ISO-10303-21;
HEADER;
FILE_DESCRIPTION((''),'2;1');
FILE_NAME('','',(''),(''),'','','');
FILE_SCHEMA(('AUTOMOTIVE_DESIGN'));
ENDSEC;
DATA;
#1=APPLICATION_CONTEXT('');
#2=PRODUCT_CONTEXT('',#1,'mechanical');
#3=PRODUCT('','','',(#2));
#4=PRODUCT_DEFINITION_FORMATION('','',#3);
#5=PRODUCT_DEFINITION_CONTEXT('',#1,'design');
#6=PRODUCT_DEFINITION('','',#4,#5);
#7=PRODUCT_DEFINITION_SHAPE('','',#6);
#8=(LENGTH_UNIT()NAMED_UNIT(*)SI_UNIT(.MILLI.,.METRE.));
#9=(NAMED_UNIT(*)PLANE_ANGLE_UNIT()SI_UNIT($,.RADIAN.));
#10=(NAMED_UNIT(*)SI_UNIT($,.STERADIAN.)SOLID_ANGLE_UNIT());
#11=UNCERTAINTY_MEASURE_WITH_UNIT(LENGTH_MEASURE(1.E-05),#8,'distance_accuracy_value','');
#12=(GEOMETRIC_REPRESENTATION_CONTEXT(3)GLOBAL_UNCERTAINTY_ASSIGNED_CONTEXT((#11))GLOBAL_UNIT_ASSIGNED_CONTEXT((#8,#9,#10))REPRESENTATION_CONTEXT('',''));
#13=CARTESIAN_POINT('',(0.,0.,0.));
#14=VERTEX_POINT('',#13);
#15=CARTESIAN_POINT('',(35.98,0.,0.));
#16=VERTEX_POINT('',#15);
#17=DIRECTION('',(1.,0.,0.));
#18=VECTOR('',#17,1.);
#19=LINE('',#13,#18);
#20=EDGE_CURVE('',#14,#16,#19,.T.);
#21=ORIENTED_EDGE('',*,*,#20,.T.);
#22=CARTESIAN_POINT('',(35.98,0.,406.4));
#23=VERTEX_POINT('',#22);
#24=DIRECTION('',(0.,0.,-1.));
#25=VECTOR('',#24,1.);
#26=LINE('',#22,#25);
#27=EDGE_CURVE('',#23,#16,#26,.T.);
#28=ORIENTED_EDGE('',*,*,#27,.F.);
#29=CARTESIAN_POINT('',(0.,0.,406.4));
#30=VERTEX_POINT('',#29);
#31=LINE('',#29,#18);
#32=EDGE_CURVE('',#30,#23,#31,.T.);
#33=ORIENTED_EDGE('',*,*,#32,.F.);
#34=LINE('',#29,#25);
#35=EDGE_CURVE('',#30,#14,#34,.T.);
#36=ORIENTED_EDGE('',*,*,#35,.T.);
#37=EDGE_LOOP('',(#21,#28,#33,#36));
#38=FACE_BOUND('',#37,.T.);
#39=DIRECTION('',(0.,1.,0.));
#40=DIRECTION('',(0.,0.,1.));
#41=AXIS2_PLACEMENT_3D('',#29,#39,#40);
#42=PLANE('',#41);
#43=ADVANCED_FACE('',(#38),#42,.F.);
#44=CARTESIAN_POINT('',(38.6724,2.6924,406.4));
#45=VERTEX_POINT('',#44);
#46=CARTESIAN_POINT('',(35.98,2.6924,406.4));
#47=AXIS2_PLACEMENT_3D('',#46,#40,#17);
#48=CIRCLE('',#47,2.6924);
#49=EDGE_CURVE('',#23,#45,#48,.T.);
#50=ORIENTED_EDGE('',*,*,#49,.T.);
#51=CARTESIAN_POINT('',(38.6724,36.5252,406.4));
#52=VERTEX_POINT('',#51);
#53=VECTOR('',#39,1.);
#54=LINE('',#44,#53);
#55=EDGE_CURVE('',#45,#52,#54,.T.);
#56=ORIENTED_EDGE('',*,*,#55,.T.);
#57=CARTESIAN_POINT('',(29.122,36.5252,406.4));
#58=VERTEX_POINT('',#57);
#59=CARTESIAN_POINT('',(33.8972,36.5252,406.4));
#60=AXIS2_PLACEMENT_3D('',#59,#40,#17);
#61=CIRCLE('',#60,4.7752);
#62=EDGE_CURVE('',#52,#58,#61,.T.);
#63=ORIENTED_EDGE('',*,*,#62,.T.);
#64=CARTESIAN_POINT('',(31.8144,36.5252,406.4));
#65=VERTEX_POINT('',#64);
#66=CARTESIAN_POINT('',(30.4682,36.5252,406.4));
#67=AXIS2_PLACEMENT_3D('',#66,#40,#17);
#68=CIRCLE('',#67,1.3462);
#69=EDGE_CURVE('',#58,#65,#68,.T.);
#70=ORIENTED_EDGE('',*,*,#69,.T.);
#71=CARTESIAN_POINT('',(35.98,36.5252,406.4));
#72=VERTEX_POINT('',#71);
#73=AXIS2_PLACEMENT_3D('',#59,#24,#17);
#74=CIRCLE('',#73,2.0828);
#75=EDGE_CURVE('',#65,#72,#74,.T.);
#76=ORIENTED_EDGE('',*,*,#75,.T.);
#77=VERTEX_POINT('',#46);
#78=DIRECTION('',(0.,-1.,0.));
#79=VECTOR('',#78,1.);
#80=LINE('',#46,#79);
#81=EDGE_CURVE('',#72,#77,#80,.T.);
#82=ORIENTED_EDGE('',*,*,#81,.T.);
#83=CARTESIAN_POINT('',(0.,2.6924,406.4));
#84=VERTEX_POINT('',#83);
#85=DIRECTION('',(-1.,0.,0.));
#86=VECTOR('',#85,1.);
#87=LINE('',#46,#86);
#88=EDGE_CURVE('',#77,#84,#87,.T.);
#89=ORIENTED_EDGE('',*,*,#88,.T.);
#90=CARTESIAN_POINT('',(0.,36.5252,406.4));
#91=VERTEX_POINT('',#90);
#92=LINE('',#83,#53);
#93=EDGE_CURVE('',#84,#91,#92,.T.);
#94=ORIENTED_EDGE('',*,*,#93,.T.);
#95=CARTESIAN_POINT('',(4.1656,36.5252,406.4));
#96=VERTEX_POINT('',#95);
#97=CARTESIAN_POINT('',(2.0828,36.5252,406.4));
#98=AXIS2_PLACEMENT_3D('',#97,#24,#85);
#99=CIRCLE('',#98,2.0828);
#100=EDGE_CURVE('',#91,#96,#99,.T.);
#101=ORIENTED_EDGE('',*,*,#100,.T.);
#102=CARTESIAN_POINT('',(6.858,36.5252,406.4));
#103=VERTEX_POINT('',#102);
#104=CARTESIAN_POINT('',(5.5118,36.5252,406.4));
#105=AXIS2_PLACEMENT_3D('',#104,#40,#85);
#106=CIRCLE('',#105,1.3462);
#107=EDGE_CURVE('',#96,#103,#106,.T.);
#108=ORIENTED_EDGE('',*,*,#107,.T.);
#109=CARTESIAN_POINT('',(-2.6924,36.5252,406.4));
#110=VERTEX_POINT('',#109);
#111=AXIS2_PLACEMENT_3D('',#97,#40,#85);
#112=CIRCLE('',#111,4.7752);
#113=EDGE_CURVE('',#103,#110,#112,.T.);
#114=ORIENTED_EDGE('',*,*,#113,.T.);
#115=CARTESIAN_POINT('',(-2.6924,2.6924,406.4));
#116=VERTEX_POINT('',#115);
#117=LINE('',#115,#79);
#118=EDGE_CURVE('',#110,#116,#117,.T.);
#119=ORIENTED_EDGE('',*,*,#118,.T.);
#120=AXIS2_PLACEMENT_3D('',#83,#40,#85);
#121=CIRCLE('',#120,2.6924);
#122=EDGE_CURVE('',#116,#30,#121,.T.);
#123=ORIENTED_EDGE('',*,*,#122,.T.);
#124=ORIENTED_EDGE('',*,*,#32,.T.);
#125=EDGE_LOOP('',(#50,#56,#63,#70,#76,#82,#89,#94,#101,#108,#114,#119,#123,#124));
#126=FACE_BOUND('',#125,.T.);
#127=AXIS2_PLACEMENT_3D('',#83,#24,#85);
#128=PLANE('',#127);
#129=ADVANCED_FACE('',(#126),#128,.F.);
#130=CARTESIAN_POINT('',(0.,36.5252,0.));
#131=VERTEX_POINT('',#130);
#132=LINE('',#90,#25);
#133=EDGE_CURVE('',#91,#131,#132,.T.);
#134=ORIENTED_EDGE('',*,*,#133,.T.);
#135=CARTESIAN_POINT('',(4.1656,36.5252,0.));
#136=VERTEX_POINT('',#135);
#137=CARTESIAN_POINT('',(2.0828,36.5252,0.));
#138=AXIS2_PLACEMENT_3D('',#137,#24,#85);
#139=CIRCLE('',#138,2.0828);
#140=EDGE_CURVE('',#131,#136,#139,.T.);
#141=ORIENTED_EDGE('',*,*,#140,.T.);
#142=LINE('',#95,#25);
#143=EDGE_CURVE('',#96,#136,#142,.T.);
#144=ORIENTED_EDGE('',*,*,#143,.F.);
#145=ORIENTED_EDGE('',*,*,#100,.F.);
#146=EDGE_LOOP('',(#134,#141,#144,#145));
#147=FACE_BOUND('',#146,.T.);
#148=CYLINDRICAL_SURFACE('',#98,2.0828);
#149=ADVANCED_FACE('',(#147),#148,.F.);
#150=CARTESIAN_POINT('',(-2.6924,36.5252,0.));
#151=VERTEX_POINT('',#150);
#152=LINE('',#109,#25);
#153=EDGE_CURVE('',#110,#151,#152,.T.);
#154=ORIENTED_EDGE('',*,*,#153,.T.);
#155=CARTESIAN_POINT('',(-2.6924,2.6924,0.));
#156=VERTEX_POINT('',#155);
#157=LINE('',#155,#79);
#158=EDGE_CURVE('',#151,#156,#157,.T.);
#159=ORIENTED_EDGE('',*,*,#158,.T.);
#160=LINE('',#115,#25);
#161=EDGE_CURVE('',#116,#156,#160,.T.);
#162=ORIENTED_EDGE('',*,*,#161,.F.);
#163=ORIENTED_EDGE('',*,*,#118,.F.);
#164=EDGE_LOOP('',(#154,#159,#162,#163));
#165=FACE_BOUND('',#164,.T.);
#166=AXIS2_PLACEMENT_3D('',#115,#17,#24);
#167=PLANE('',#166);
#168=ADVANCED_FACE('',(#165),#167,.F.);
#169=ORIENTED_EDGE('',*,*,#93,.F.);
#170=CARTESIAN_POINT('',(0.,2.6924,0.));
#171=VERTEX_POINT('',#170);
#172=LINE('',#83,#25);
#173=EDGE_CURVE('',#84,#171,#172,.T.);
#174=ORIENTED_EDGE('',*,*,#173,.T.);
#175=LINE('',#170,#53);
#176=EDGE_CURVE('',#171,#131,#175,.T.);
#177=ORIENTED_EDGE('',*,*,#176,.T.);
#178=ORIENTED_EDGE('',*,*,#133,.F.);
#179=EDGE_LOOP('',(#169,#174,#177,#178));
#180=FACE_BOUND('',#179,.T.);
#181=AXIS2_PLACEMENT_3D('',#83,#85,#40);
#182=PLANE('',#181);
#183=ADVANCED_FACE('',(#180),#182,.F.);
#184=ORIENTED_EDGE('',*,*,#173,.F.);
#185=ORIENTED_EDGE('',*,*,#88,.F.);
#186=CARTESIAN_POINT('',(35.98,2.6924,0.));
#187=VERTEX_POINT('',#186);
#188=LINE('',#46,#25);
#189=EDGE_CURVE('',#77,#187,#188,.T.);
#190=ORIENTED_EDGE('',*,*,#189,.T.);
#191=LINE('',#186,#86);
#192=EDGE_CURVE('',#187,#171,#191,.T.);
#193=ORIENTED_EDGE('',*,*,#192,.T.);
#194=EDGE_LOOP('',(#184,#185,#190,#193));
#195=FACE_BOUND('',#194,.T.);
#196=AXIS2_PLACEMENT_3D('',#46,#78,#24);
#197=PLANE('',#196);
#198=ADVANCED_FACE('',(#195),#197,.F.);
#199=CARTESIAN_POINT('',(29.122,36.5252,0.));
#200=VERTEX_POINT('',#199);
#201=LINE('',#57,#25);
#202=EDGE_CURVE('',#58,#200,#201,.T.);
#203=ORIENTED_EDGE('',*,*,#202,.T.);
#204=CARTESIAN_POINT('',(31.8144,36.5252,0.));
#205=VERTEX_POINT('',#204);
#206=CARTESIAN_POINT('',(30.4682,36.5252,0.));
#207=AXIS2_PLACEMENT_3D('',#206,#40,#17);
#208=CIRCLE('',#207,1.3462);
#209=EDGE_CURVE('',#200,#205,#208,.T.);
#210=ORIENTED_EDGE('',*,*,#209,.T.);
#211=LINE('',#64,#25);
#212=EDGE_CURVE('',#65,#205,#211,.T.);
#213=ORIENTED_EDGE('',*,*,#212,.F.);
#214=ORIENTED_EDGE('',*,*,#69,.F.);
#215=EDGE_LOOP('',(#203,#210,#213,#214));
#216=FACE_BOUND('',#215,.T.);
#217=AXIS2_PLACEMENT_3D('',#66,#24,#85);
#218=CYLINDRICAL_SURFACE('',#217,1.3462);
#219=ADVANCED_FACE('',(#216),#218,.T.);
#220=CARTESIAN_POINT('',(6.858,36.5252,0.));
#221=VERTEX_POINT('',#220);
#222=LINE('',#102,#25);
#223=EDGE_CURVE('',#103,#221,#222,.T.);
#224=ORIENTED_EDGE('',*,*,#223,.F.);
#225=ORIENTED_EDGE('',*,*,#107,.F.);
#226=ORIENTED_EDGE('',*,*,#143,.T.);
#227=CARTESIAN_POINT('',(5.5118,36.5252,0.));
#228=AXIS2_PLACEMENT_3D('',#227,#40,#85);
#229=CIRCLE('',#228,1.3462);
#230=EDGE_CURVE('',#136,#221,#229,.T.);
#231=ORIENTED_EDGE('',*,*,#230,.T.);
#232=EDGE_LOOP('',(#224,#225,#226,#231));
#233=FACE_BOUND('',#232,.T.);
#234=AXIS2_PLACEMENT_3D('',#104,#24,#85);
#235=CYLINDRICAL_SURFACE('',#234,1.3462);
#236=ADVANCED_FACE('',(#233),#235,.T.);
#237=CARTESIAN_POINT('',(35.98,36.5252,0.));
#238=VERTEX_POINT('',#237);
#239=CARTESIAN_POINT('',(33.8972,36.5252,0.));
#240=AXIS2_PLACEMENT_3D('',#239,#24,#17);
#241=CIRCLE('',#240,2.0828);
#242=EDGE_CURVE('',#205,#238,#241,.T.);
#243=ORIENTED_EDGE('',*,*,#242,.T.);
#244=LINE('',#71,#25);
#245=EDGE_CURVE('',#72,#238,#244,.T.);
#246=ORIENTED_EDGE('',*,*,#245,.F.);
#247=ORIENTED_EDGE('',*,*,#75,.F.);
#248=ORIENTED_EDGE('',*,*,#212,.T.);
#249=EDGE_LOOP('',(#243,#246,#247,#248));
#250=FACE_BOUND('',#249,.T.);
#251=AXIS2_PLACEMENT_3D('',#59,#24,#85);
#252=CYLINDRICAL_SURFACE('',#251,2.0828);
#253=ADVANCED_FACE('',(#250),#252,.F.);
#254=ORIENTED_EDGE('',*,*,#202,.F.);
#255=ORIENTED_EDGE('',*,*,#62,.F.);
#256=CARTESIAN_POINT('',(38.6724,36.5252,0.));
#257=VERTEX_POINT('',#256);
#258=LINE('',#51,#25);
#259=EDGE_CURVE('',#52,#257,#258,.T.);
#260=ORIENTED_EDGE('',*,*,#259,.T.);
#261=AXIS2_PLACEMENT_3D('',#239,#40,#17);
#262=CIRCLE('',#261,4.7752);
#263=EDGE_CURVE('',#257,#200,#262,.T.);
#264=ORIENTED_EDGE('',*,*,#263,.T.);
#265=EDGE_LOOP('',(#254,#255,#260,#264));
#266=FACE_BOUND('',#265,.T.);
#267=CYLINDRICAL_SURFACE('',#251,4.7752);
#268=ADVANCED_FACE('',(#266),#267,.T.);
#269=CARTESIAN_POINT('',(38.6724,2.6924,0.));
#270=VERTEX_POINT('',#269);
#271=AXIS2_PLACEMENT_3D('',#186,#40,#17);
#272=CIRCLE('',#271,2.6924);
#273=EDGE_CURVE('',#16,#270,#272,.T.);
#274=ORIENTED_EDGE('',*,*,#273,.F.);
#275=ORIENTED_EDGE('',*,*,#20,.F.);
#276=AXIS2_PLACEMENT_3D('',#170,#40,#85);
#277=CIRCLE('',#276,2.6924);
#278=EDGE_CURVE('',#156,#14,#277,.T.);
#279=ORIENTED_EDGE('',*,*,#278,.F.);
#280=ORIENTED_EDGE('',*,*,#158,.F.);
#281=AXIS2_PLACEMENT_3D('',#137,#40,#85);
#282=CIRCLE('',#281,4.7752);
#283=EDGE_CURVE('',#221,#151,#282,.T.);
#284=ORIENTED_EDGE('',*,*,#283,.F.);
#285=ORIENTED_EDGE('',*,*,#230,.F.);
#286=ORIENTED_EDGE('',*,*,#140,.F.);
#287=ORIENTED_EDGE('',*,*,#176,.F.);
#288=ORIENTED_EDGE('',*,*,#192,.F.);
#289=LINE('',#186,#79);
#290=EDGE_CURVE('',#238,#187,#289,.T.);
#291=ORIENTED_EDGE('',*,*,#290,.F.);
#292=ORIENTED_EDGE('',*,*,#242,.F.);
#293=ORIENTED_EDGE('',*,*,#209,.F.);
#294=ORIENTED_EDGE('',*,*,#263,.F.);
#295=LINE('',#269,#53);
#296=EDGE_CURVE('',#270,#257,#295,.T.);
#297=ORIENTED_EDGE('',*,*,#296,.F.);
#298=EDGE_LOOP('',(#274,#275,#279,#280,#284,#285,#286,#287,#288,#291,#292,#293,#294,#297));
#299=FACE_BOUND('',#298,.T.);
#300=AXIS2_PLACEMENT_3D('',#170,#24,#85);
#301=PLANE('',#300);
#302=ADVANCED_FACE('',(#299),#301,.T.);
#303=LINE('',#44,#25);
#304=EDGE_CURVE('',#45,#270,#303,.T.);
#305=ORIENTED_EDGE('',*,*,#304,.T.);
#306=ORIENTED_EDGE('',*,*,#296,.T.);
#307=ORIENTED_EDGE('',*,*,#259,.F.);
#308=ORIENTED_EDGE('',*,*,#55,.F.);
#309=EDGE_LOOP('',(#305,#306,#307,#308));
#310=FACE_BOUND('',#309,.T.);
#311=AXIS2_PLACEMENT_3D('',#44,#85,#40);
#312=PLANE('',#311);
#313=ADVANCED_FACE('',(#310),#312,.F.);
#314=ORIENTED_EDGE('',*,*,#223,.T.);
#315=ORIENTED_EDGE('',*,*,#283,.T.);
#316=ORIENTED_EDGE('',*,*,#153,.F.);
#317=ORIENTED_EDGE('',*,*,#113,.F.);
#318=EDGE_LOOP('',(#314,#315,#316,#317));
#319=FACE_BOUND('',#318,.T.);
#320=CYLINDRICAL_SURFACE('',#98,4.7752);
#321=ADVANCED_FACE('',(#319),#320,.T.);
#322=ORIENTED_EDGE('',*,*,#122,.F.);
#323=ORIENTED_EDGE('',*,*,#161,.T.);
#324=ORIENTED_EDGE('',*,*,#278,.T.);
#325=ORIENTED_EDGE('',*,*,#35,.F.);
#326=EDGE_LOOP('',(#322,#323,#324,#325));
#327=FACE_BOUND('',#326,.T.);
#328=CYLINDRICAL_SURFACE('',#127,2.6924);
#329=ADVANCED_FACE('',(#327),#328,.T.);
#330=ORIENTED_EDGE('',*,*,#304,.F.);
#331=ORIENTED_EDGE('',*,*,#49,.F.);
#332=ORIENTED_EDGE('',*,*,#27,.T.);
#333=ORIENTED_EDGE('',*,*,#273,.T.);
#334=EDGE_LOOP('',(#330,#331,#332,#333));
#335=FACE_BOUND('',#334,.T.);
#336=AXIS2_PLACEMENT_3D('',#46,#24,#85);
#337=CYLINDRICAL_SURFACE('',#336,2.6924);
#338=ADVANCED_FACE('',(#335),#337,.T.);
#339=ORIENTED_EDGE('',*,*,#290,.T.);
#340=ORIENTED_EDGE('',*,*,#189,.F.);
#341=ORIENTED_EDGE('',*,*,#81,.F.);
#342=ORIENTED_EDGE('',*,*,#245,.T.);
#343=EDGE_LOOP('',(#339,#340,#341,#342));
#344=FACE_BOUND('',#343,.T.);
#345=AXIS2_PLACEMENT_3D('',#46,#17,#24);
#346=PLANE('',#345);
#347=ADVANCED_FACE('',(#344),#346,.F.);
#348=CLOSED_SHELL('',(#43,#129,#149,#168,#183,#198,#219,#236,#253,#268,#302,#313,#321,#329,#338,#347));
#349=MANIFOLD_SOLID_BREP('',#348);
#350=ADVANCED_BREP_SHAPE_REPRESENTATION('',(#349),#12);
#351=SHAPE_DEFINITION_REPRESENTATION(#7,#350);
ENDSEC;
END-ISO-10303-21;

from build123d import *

# Parameters (mm, degrees)
EXTRUDE_1_DEPTH = 406.4


with BuildPart() as part:
    # 草图1 → 凸台-拉伸1 (new body)
    with BuildSketch(Plane.XY):
        with BuildLine():
            Line((0, 0), (35.98, 0))
            ThreePointArc((35.98, 0), (37.883814298, 0.788585702), (38.6724, 2.6924))
            Line((38.6724, 2.6924), (38.6724, 36.5252))
            ThreePointArc((38.6724, 36.5252), (33.8972, 41.3004), (29.122, 36.5252))
            ThreePointArc((29.122, 36.5252), (30.4682, 35.179), (31.8144, 36.5252))
            ThreePointArc((31.8144, 36.5252), (33.8972, 38.608), (35.98, 36.5252))
            Line((35.98, 36.5252), (35.98, 2.6924))
            Line((35.98, 2.6924), (0, 2.6924))
            Line((0, 2.6924), (0, 36.5252))
            ThreePointArc((0, 36.5252), (2.0828, 38.608), (4.1656, 36.5252))
            ThreePointArc((4.1656, 36.5252), (5.5118, 35.179), (6.858, 36.5252))
            ThreePointArc((6.858, 36.5252), (2.0828, 41.3004), (-2.6924, 36.5252))
            Line((-2.6924, 36.5252), (-2.6924, 2.6924))
            ThreePointArc((-2.6924, 2.6924), (-1.903814298, 0.788585702), (0, 0))
        make_face()
    extrude(amount=EXTRUDE_1_DEPTH)


solid = part.part
